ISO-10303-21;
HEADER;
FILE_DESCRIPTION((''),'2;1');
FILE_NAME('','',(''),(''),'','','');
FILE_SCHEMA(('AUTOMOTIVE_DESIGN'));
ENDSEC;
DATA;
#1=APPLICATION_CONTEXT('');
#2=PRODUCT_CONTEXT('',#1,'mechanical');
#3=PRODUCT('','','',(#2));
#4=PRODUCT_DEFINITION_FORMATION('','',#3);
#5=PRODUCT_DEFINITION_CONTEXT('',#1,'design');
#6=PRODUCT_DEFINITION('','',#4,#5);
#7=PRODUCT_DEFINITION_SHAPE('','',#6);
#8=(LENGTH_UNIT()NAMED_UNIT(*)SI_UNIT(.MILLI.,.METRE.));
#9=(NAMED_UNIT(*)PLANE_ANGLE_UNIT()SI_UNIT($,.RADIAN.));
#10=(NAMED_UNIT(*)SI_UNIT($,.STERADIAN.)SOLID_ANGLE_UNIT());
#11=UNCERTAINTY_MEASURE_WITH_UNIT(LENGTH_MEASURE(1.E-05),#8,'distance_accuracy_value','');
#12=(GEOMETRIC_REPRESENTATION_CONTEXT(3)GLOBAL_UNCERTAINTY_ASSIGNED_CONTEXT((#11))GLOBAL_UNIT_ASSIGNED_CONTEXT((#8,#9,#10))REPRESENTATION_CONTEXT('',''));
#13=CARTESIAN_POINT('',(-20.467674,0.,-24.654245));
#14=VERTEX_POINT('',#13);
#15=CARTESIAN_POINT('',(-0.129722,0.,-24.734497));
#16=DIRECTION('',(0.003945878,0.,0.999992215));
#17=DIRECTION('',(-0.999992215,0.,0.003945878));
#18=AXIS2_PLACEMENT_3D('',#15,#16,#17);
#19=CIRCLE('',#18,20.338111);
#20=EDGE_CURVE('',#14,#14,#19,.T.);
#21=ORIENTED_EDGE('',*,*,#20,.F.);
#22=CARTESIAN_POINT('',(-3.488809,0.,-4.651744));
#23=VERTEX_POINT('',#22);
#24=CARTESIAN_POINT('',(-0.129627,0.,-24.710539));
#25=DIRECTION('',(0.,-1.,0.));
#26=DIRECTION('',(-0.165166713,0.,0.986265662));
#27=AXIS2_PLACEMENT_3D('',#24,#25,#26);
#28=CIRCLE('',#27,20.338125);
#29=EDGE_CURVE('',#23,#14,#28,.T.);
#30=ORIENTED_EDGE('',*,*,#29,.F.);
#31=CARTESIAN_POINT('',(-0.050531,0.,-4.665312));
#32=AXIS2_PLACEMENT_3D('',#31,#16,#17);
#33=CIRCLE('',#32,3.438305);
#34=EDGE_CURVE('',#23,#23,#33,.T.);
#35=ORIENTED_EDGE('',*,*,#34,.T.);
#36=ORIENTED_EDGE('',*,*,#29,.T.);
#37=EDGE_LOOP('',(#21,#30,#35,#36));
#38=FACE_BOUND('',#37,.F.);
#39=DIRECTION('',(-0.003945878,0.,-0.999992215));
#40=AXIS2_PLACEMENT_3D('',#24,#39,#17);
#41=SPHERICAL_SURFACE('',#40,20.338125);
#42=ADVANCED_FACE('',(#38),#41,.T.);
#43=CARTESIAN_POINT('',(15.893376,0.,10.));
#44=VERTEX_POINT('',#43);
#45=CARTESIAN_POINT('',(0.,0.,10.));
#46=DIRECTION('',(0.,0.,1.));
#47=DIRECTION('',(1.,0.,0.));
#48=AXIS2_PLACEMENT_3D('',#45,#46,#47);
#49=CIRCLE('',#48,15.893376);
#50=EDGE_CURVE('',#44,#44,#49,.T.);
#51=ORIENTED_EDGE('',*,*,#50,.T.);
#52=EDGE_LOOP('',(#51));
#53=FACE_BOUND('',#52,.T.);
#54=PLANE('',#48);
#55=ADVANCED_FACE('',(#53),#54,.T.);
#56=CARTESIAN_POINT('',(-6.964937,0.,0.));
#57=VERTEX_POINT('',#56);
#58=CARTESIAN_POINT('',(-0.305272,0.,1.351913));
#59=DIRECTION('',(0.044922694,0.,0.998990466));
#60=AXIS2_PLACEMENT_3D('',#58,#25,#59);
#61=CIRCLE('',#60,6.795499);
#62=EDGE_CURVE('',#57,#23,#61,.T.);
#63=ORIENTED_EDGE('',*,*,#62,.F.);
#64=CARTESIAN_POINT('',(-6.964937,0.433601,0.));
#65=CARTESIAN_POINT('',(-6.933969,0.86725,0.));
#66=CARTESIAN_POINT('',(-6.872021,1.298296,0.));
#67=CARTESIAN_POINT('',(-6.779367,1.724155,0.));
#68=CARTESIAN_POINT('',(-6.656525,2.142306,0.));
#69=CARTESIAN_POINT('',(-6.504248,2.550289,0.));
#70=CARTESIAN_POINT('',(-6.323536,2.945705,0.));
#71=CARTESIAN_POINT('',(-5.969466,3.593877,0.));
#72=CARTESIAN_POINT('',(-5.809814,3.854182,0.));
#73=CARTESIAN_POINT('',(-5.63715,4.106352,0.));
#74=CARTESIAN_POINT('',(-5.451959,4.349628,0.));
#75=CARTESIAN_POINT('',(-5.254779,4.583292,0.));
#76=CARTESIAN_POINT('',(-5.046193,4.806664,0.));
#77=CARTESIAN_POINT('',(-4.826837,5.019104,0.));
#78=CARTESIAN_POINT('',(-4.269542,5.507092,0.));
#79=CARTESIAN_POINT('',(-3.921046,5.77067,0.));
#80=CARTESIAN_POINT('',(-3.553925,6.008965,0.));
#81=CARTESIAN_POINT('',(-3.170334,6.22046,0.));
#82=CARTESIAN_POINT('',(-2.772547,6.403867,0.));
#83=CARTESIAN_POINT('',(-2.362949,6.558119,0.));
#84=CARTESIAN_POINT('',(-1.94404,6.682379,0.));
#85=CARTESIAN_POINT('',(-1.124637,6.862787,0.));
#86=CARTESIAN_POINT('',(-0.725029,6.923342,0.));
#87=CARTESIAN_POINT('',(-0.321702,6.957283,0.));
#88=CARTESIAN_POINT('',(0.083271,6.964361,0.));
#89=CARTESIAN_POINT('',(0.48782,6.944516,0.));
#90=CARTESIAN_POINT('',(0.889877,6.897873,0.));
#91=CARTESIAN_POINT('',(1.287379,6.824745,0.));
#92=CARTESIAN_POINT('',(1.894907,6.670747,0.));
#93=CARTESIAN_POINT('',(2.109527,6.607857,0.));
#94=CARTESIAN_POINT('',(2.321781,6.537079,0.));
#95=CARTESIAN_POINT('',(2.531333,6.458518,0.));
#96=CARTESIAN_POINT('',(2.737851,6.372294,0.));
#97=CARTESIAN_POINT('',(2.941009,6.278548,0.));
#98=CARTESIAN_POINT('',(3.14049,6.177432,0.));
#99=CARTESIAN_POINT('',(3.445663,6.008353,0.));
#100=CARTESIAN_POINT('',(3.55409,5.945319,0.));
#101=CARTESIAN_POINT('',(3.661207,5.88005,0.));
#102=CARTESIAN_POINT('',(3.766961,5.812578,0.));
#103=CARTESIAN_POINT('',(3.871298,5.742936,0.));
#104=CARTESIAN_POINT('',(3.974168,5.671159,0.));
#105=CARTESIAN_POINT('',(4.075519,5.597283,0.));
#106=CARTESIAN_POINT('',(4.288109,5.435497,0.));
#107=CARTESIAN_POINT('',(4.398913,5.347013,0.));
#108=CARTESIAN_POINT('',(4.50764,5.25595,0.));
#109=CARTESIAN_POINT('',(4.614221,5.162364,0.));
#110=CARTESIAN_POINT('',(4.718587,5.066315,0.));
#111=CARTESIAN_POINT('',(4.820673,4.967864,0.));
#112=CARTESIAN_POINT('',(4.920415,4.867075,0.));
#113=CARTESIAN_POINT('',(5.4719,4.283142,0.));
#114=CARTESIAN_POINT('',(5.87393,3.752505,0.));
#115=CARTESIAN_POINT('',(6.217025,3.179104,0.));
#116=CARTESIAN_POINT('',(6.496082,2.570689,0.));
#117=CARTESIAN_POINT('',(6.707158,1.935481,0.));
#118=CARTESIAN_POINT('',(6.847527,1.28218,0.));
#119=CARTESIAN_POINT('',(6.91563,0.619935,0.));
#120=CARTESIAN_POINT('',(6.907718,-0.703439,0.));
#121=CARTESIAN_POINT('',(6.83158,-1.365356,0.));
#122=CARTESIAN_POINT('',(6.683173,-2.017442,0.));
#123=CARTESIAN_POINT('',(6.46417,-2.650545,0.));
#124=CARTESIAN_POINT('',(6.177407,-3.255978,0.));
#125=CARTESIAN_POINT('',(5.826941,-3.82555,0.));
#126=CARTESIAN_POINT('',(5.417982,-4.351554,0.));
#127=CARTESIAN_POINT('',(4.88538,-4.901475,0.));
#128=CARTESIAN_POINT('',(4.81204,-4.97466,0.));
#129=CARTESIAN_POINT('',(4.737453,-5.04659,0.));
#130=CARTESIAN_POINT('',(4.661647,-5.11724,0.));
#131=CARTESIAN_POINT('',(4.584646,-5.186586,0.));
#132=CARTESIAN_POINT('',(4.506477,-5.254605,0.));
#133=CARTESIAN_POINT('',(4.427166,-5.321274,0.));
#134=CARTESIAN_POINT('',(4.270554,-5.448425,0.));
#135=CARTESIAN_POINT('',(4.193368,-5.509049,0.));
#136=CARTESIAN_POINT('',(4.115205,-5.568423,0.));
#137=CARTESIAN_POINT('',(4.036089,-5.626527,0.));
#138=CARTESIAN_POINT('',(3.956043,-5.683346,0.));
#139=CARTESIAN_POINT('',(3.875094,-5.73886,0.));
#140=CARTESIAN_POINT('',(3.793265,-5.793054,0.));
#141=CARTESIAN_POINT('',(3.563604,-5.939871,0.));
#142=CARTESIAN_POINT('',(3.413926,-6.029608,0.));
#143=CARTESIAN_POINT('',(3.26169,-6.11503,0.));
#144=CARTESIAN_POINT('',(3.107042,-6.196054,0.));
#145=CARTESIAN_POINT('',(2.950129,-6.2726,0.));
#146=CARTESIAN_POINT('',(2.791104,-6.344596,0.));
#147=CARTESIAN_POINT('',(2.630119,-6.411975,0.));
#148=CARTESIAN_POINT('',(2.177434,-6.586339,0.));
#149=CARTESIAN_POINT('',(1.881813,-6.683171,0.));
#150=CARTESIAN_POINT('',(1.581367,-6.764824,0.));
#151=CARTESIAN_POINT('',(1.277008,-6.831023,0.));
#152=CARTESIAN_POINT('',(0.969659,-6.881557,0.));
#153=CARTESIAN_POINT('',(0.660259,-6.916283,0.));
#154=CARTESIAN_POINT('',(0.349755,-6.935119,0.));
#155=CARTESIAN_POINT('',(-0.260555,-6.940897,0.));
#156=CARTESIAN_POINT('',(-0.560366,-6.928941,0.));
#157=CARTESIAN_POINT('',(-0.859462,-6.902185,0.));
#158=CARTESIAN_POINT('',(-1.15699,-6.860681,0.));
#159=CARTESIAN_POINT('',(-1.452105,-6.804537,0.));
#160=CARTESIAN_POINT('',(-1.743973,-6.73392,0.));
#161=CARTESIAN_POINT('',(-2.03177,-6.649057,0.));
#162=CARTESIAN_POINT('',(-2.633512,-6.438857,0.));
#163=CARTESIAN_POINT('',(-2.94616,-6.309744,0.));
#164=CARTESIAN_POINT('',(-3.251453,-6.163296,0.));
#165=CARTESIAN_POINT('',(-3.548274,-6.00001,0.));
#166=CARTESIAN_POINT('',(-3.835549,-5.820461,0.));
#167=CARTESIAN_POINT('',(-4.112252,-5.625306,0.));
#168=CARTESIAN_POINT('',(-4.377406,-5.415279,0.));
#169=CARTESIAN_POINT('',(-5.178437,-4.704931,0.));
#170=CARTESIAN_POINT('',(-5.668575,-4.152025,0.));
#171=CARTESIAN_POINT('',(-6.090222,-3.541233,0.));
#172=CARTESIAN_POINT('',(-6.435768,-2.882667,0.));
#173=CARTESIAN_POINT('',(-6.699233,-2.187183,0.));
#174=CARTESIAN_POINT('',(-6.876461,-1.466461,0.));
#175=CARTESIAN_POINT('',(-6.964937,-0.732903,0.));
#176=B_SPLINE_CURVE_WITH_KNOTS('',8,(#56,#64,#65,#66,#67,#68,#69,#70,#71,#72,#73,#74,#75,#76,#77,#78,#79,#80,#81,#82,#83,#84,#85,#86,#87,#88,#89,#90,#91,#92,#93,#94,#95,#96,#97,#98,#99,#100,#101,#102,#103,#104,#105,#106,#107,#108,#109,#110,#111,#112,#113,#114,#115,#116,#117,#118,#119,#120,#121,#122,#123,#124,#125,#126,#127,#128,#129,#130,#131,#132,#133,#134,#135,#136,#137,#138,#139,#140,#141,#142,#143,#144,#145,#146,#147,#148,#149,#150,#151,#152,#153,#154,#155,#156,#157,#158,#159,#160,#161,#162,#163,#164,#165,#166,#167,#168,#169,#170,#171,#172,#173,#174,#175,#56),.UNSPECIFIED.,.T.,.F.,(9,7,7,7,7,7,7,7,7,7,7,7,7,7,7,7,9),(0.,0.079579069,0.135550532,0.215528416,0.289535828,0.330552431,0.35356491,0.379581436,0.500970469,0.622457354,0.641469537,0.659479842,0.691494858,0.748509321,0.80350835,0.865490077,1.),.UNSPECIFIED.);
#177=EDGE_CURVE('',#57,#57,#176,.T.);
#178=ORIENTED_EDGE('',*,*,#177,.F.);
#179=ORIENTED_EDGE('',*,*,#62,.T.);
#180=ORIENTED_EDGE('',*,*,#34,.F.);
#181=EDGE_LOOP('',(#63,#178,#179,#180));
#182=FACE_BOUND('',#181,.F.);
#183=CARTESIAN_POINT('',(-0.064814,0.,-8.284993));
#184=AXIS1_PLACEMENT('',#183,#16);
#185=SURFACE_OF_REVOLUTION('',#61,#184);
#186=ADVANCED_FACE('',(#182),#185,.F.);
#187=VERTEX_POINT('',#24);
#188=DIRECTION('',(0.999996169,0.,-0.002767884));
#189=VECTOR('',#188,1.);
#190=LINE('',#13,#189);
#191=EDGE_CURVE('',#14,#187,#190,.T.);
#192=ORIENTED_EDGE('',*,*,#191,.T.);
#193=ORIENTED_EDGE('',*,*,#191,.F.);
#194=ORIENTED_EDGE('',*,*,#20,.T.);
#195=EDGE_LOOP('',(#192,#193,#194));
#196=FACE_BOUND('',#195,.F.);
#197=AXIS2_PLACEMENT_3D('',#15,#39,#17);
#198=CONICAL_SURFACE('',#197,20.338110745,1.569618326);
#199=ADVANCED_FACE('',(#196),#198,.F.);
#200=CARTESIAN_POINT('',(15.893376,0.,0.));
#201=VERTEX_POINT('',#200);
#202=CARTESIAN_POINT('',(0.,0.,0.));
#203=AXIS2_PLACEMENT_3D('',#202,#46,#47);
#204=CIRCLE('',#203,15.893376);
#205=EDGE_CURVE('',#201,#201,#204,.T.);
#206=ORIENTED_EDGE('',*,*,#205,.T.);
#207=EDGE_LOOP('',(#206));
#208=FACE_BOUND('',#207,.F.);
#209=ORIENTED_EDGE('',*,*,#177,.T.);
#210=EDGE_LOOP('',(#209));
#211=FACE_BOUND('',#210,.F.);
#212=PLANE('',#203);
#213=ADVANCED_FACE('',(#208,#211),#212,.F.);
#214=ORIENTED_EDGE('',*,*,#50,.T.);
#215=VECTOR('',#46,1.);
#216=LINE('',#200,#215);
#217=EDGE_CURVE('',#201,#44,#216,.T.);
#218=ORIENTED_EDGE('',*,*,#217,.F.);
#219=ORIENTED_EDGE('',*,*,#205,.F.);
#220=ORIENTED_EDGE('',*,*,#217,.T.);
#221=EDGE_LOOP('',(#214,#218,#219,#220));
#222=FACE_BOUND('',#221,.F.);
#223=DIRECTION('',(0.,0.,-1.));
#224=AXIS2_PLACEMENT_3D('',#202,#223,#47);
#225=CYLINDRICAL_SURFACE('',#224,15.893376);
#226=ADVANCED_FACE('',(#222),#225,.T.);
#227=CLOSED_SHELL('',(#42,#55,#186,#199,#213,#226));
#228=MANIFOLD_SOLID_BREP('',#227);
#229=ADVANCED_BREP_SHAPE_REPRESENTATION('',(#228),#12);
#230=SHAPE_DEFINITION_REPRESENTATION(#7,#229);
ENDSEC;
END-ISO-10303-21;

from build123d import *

# Parameters (mm, degrees)
F2_R     = 15.8933759433
F3_DEPTH = 10


with BuildPart() as f1:
    # F0 (on Front) → F1 (revolve)
    with BuildSketch(Plane.XZ):
        with BuildLine():
            ThreePointArc((0, 8.1405518577), (-6.8613237013, 3.1399274332), (-3.4888086375, -4.6517443843))
            ThreePointArc((-3.4888086375, -4.6517443843), (-15.6349382287, -11.5490546445), (-20.4676743597, -24.6542450041))
            Line((-20.4676743597, -24.6542450041), (-0.1296274105, -24.7105385693))
            Line((-0.1296274105, -24.7105385693), (0, 8.1405518577))
        make_face()
    revolve(axis=Axis((-0.0648137053, 0, -8.2849933558), (0.0039458782, 0, 0.999992215)))

    # F2 (on Top) → F3 (join)
    with BuildSketch(Plane.XY):
        Circle(F2_R)
    extrude(amount=F3_DEPTH)


solid = f1.part
